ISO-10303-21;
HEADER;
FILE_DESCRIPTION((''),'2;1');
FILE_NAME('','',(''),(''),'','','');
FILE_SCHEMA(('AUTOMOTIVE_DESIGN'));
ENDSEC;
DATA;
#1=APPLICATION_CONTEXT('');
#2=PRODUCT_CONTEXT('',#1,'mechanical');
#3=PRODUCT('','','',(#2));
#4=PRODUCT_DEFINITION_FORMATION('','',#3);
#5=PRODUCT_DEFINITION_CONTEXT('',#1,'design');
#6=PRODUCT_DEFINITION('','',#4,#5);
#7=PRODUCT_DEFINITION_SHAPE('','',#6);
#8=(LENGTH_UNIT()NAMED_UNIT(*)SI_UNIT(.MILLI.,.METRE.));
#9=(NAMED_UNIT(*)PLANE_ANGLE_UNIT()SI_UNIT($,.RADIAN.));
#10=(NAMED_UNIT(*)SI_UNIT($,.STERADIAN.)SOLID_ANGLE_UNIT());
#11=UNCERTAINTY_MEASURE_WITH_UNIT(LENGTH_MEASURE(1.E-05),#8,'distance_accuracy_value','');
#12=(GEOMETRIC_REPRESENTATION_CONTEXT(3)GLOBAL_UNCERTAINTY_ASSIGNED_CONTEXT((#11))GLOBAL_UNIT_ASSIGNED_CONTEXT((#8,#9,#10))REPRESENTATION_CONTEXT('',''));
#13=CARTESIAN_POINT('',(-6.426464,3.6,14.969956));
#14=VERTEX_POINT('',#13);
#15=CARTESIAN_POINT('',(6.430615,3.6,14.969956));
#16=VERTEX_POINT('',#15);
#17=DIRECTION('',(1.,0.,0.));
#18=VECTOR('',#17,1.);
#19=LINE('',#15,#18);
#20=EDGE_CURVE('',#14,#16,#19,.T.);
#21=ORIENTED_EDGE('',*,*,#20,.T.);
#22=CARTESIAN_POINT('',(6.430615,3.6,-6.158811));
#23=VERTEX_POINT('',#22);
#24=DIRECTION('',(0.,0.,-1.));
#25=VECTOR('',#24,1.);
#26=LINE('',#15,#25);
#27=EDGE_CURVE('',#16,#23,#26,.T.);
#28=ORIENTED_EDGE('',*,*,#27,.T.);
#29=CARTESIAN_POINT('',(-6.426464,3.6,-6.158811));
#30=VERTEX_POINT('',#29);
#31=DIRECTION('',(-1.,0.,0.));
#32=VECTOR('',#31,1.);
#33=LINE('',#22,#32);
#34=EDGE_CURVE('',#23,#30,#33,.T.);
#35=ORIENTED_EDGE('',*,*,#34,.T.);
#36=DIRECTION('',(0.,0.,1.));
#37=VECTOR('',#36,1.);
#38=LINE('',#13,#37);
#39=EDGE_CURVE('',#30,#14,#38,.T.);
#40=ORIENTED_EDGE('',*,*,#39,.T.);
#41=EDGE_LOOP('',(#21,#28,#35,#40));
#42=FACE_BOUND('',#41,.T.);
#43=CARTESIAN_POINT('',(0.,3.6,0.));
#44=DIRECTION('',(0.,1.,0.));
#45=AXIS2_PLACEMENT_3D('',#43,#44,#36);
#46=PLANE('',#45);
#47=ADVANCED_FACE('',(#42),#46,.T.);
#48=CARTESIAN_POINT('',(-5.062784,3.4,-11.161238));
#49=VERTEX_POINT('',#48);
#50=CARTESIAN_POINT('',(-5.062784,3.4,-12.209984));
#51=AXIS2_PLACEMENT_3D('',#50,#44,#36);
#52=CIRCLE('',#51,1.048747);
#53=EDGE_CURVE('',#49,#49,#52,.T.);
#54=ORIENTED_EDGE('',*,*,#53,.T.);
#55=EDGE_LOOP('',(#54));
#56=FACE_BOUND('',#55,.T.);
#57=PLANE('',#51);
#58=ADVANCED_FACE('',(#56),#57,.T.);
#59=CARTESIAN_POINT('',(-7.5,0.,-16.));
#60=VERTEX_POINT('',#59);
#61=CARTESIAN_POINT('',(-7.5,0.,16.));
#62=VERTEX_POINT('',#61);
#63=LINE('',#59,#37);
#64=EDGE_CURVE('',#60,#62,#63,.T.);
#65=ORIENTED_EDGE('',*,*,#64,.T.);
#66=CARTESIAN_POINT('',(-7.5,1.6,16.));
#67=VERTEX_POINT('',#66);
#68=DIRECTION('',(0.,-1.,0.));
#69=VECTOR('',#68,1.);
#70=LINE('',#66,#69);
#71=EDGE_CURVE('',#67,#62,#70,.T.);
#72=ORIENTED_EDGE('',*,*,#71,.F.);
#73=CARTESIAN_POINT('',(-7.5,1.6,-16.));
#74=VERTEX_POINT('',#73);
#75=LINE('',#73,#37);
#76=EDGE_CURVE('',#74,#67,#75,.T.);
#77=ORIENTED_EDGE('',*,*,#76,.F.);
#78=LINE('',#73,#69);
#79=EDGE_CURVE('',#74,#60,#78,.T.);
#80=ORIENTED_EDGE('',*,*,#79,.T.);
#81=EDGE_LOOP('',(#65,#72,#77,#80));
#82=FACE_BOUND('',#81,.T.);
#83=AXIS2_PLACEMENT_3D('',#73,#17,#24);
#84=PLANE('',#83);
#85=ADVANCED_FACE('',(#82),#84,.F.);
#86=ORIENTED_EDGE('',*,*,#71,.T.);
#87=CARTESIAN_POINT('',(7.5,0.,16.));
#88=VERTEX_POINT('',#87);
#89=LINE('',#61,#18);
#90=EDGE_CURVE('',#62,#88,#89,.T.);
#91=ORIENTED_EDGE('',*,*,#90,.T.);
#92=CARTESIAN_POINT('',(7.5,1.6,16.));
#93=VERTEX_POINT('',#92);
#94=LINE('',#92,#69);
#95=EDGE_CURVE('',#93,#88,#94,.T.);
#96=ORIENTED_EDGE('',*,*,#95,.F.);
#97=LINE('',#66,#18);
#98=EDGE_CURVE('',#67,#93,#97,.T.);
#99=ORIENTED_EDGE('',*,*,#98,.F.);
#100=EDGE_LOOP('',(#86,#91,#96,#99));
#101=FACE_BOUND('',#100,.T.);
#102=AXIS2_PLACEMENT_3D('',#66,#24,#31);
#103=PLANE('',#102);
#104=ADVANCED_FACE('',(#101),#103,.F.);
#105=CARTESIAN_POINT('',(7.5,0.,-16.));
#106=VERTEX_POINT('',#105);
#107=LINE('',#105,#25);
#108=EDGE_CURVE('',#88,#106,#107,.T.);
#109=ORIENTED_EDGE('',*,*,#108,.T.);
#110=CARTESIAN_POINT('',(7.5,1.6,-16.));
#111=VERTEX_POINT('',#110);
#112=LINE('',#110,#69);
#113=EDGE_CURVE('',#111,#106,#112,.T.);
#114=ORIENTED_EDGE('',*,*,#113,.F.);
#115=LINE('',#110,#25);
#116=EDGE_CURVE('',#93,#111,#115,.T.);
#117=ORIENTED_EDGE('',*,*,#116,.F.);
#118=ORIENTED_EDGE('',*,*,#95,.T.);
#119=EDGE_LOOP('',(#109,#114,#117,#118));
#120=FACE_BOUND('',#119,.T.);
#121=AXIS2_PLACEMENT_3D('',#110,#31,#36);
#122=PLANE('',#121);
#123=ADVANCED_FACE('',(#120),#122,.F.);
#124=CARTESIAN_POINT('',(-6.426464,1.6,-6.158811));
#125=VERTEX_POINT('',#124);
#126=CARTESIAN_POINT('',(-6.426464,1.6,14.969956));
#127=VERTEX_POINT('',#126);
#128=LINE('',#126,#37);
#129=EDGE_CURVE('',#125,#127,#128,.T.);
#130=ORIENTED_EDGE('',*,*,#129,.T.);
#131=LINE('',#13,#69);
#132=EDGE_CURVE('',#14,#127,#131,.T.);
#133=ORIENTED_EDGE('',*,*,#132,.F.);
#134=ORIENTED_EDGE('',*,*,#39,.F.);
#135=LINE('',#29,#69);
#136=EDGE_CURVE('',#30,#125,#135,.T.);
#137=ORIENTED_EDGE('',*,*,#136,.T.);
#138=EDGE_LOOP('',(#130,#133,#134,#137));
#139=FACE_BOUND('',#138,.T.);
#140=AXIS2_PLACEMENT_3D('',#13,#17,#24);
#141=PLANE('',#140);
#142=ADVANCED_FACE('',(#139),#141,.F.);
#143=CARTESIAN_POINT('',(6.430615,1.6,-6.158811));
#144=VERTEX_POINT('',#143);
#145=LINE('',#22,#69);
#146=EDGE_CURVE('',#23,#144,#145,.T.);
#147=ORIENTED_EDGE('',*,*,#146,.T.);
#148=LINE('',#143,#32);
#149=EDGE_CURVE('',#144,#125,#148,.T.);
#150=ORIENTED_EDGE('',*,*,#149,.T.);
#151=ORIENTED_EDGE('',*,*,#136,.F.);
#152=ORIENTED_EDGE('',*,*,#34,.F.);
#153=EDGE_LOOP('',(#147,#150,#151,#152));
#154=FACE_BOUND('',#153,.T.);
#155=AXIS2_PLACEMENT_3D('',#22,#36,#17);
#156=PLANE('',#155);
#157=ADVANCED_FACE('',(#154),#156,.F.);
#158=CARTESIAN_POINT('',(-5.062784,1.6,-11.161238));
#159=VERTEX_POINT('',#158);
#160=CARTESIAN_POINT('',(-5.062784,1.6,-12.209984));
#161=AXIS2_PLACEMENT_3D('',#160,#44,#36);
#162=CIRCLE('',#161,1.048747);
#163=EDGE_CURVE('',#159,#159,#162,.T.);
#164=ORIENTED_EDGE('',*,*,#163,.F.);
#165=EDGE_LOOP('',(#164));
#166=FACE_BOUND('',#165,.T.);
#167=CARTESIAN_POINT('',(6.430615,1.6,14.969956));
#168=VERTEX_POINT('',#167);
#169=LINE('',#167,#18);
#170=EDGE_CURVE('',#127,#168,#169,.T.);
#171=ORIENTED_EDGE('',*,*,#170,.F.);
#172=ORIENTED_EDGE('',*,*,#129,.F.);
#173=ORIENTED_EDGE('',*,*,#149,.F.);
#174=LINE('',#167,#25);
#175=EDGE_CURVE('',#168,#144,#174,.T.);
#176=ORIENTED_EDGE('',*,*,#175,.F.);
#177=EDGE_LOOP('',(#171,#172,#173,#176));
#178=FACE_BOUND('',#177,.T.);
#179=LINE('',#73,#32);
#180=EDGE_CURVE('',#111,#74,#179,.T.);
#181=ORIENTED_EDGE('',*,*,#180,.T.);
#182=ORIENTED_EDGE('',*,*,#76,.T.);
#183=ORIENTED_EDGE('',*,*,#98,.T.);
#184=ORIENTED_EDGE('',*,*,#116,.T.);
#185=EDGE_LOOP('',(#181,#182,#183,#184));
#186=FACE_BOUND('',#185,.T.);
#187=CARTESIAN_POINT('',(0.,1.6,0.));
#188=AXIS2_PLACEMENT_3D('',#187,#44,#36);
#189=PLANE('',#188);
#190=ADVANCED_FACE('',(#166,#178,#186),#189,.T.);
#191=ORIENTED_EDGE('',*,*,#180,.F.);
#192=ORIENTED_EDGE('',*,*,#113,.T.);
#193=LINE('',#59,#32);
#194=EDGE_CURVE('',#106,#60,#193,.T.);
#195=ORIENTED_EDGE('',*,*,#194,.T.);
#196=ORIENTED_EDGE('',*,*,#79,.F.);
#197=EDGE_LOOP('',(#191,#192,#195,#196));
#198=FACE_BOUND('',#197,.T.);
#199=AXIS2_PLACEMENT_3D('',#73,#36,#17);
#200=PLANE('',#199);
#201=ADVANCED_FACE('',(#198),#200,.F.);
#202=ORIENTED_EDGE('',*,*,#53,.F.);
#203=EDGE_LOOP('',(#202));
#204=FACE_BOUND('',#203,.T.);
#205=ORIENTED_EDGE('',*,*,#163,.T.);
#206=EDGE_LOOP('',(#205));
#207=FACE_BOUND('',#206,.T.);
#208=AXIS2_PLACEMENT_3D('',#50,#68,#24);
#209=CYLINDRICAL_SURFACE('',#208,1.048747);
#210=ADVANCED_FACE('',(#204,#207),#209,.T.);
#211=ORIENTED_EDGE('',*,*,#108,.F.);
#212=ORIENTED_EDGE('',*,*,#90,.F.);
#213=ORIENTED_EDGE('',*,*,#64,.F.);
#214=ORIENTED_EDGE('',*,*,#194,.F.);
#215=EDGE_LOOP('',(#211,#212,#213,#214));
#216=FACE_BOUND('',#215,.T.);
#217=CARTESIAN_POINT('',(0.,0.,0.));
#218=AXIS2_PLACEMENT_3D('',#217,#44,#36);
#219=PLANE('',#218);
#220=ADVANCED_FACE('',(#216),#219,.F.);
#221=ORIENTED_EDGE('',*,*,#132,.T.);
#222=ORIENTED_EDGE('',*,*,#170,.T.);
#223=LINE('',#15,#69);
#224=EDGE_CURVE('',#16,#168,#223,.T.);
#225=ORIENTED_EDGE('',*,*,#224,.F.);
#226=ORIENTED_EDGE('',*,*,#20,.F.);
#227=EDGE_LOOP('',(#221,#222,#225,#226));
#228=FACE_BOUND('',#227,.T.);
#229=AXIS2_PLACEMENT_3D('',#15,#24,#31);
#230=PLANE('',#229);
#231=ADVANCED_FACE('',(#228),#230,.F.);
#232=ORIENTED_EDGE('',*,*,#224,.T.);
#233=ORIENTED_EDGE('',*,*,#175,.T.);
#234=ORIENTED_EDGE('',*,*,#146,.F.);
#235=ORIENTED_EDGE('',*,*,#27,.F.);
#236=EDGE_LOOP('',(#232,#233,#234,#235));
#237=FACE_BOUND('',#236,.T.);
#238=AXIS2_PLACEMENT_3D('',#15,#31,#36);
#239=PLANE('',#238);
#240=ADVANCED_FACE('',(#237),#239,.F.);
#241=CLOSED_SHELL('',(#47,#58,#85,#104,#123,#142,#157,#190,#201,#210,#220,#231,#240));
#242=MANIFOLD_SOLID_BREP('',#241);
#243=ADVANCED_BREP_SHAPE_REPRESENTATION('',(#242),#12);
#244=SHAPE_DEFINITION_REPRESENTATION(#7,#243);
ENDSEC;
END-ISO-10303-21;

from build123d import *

# Parameters (mm, degrees)
SKETCH_1_W      = 15
SKETCH_1_H      = 32
EXTRUDE_1_DEPTH = 1.6
SKETCH_2_W      = 12.857079129
SKETCH_2_H      = 21.128766401
EXTRUDE_2_DEPTH = 2
SKETCH_3_R      = 1.048746982
EXTRUDE_3_DEPTH = 1.8


with BuildPart() as part:
    # 草图1 → 凸台-拉伸1 (new body)
    with BuildSketch(Plane(origin=(0, 0, 0), x_dir=(1, 0, 0), z_dir=(0, 1, 0))):
        Rectangle(SKETCH_1_W, SKETCH_1_H)
    extrude(amount=EXTRUDE_1_DEPTH)

    # 草图2 → 凸台-拉伸2 (add)
    with BuildSketch(Plane(origin=(0, 1.6, 0), x_dir=(1, 0, 0), z_dir=(0, 1, 0))):
        with Locations((0.002075323, -4.405572569)):
            Rectangle(SKETCH_2_W, SKETCH_2_H)
    extrude(amount=EXTRUDE_2_DEPTH)

    # 草图3 → 凸台-拉伸3 (add)
    with BuildSketch(Plane(origin=(0, 1.6, 0), x_dir=(1, 0, 0), z_dir=(0, 1, 0))):
        with Locations(Location((-5.062783927, 12.209984483, 0), (0, 0, 270))):
            Circle(SKETCH_3_R)
    extrude(amount=EXTRUDE_3_DEPTH)


solid = part.part
